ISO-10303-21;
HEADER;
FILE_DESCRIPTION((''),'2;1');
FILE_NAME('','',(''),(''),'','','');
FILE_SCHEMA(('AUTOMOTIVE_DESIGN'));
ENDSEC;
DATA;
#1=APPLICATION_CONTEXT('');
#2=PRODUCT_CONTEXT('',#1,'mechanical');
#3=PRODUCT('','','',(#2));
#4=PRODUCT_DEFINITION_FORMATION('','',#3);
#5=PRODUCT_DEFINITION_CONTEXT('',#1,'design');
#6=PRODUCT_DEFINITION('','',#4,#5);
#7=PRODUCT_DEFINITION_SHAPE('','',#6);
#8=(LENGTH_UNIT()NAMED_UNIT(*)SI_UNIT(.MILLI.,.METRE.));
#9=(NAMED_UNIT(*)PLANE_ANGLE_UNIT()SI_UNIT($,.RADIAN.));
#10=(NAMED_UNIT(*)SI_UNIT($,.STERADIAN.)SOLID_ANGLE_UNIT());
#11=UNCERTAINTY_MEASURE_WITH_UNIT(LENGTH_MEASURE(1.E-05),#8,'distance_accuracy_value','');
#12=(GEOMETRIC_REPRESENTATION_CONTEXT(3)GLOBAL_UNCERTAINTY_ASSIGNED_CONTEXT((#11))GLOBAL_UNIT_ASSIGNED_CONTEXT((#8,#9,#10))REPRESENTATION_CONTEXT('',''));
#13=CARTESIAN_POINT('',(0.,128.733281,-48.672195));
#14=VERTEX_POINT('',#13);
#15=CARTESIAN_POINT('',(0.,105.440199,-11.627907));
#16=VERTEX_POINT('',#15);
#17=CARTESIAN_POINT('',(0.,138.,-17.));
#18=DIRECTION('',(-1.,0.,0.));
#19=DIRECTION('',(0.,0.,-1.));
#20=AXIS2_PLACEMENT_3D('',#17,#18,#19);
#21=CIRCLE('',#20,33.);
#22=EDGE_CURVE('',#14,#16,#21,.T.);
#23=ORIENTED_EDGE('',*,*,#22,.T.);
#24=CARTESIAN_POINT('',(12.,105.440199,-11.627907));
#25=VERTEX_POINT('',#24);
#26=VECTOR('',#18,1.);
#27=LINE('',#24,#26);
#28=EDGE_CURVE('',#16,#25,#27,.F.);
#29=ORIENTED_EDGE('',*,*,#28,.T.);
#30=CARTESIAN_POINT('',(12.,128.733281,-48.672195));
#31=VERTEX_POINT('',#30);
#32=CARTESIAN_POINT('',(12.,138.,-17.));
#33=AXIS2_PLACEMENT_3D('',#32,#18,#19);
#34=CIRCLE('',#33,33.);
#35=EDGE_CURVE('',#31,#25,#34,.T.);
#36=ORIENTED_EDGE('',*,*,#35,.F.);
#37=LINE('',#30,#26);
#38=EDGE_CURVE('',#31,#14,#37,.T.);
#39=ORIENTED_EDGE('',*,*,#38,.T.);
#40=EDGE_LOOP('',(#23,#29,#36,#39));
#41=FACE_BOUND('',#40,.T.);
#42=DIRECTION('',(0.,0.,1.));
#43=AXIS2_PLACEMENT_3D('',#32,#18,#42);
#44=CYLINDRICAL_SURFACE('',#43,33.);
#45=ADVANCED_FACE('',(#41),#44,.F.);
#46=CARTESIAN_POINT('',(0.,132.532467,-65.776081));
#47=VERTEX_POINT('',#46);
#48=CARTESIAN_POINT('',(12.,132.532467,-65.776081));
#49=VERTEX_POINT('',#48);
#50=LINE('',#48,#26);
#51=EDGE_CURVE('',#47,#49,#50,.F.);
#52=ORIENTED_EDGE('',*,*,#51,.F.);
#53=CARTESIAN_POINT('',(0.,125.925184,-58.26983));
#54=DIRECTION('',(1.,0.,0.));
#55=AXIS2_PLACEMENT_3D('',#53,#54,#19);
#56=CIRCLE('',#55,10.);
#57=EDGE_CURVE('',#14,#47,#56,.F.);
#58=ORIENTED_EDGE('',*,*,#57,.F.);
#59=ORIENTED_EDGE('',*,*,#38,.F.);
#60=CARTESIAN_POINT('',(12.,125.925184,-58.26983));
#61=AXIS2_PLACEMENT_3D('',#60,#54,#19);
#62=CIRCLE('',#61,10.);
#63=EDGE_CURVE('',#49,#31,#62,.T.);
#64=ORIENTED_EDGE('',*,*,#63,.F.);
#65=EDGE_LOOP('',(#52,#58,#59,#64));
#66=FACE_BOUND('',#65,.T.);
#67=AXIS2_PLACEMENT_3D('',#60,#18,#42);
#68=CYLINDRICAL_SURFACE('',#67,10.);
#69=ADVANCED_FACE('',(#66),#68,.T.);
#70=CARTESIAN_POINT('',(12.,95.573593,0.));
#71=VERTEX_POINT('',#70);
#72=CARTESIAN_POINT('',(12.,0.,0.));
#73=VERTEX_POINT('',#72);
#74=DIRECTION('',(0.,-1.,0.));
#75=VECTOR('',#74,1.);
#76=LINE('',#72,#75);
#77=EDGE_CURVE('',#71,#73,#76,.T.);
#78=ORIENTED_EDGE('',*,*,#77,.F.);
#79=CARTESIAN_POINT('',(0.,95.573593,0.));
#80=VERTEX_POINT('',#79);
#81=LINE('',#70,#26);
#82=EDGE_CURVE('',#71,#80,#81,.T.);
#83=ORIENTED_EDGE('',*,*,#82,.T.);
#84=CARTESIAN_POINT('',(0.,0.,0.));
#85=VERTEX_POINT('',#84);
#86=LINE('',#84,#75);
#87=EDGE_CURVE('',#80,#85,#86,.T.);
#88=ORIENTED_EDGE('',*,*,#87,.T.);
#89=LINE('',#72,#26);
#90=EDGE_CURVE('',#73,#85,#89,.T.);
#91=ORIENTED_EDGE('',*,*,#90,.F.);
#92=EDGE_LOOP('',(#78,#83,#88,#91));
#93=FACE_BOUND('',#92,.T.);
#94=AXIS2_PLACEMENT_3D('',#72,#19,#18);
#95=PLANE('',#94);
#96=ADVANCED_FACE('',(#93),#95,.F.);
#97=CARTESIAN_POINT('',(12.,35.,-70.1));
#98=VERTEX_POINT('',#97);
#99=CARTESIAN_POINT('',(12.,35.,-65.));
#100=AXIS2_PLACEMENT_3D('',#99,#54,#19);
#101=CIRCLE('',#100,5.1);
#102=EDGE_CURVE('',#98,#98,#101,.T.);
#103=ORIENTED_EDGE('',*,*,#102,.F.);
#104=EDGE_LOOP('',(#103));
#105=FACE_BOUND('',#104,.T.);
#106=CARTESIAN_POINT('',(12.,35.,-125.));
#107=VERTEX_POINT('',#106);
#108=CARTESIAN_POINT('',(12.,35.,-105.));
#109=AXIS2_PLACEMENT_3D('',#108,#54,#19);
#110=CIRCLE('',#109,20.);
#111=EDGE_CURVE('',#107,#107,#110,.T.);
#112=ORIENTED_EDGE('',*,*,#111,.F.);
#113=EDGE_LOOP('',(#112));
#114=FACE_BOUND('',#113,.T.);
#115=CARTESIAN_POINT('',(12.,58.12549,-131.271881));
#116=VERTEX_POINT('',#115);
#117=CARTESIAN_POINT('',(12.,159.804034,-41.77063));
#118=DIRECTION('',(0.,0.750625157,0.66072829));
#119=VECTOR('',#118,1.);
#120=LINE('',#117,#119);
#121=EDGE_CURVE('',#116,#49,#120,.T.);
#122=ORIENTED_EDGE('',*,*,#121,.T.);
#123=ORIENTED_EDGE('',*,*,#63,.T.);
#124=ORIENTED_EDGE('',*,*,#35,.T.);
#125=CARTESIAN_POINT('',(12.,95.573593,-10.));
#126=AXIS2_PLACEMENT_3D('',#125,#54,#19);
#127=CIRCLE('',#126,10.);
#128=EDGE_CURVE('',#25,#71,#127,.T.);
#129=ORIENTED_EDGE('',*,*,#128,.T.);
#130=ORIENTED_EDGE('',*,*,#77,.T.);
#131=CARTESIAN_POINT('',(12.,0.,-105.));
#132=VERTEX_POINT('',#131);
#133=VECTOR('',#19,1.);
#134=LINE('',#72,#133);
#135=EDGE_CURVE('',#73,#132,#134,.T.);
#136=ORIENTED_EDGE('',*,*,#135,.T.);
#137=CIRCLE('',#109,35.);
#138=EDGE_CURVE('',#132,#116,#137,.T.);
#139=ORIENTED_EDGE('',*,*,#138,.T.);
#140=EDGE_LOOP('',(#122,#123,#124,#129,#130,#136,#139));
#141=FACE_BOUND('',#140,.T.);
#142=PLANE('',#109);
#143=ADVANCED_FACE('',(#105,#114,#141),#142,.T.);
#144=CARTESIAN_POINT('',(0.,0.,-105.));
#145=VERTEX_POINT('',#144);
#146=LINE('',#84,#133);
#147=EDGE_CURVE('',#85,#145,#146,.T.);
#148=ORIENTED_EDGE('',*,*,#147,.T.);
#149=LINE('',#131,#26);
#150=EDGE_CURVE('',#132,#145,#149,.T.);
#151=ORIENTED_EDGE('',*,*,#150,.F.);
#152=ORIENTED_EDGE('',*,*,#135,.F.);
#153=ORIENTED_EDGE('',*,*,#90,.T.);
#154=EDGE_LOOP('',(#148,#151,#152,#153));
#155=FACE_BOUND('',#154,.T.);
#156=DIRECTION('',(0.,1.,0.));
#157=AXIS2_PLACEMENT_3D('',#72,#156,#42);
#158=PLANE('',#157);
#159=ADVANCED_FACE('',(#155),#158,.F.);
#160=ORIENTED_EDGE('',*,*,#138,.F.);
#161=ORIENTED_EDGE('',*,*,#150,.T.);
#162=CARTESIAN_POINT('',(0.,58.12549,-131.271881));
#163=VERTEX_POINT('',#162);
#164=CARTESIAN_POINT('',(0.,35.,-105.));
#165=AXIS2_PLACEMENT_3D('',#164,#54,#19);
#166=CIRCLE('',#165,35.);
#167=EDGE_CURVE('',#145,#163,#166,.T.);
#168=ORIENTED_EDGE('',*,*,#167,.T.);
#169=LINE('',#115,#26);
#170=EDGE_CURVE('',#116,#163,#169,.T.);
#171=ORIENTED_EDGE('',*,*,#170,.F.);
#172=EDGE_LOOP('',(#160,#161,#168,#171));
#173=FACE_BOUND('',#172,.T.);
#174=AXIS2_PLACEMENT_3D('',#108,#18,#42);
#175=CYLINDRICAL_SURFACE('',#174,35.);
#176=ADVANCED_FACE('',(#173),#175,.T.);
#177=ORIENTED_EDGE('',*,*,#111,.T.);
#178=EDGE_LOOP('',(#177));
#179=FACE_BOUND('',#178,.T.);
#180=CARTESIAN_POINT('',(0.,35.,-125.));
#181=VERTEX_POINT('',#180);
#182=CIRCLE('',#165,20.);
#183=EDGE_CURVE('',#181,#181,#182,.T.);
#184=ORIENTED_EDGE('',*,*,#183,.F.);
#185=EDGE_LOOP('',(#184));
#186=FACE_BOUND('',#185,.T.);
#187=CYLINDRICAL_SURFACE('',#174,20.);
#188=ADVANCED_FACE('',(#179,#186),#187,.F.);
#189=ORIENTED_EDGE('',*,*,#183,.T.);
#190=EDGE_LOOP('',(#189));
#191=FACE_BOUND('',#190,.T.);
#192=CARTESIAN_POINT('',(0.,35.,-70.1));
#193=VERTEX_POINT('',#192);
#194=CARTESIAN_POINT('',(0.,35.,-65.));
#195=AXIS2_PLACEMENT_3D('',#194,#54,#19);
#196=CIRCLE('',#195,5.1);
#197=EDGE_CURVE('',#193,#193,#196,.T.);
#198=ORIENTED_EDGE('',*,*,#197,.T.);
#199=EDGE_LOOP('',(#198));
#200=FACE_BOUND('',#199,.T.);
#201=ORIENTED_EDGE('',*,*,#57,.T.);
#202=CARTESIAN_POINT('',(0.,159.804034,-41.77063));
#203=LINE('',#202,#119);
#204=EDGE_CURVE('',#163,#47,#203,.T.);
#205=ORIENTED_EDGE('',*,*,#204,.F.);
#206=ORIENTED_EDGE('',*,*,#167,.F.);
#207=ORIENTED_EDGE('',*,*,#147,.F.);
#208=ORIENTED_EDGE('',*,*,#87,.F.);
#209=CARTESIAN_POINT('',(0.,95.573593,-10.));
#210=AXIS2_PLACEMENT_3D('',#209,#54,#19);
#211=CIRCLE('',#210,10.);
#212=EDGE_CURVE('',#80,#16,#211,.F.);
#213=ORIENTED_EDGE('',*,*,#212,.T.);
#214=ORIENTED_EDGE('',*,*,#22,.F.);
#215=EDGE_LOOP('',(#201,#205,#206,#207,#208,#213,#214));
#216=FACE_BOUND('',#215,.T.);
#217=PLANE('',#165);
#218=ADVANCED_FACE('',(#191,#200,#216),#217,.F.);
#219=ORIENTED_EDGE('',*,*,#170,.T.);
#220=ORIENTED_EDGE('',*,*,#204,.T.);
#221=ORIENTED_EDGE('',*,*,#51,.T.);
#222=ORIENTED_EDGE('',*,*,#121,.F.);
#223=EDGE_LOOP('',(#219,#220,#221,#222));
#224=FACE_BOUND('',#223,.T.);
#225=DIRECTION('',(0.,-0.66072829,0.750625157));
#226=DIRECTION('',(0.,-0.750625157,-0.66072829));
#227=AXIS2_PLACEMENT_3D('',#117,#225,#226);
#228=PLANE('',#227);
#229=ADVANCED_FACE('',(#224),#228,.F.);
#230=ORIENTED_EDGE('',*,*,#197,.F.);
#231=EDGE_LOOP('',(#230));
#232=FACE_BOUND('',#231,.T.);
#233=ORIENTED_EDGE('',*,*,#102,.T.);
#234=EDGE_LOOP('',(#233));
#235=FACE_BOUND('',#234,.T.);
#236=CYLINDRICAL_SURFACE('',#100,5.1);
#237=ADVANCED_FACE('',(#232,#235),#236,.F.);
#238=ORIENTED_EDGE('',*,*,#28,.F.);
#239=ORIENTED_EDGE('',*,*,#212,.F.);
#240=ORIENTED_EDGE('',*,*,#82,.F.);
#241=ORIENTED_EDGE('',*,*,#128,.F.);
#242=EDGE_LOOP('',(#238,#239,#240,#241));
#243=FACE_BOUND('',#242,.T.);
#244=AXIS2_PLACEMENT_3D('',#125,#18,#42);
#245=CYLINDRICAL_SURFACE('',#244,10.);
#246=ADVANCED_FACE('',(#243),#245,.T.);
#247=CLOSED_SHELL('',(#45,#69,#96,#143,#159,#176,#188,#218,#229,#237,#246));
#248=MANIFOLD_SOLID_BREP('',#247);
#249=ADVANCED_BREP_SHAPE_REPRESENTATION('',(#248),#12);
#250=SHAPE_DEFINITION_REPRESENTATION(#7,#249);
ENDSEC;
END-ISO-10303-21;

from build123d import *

# Parameters (mm, degrees)
SKETCH_1_R          = 20
EXTRUDE_1_DEPTH     = 12
FILLET_1_R          = 10
HOLE_WIZARD_M12_1_D = 10.2


with BuildPart() as part:
    # 草图1 → 凸台-拉伸1 (new body)
    with BuildSketch(Plane(origin=(0, 0, 0), x_dir=(0, 0, -1), z_dir=(1, 0, 0))):
        with BuildLine():
            Line((0, 0), (0, 109.715728753))
            ThreePointArc((0, 109.715728753), (42.343741696, 116.864845474), (41.770630196, 159.804033565))
            Line((41.770630196, 159.804033565), (131.271880511, 58.125490145))
            ThreePointArc((131.271880511, 58.125490145), (136.893511527, 20.584594266), (105, 0))
            Line((105, 0), (0, 0))
        make_face()
        with Locations((105, 35)):
            Circle(SKETCH_1_R, mode=Mode.SUBTRACT)
    extrude(amount=EXTRUDE_1_DEPTH)

    # 圆角1
    fillet_1_edges = [part.edges().sort_by_distance(p)[0] for p in [
        (6, 109.715728753, 0),
        (6, 159.804033565, -41.770630196),
    ]]
    fillet(fillet_1_edges, radius=FILLET_1_R)

    # M12 螺纹孔1 (through all)
    with Locations(Plane(origin=(12, 0, 0), x_dir=(0, 0, -1), z_dir=(1, 0, 0))):
        with Locations((65, 35)):
            Hole(HOLE_WIZARD_M12_1_D / 2)


solid = part.part
